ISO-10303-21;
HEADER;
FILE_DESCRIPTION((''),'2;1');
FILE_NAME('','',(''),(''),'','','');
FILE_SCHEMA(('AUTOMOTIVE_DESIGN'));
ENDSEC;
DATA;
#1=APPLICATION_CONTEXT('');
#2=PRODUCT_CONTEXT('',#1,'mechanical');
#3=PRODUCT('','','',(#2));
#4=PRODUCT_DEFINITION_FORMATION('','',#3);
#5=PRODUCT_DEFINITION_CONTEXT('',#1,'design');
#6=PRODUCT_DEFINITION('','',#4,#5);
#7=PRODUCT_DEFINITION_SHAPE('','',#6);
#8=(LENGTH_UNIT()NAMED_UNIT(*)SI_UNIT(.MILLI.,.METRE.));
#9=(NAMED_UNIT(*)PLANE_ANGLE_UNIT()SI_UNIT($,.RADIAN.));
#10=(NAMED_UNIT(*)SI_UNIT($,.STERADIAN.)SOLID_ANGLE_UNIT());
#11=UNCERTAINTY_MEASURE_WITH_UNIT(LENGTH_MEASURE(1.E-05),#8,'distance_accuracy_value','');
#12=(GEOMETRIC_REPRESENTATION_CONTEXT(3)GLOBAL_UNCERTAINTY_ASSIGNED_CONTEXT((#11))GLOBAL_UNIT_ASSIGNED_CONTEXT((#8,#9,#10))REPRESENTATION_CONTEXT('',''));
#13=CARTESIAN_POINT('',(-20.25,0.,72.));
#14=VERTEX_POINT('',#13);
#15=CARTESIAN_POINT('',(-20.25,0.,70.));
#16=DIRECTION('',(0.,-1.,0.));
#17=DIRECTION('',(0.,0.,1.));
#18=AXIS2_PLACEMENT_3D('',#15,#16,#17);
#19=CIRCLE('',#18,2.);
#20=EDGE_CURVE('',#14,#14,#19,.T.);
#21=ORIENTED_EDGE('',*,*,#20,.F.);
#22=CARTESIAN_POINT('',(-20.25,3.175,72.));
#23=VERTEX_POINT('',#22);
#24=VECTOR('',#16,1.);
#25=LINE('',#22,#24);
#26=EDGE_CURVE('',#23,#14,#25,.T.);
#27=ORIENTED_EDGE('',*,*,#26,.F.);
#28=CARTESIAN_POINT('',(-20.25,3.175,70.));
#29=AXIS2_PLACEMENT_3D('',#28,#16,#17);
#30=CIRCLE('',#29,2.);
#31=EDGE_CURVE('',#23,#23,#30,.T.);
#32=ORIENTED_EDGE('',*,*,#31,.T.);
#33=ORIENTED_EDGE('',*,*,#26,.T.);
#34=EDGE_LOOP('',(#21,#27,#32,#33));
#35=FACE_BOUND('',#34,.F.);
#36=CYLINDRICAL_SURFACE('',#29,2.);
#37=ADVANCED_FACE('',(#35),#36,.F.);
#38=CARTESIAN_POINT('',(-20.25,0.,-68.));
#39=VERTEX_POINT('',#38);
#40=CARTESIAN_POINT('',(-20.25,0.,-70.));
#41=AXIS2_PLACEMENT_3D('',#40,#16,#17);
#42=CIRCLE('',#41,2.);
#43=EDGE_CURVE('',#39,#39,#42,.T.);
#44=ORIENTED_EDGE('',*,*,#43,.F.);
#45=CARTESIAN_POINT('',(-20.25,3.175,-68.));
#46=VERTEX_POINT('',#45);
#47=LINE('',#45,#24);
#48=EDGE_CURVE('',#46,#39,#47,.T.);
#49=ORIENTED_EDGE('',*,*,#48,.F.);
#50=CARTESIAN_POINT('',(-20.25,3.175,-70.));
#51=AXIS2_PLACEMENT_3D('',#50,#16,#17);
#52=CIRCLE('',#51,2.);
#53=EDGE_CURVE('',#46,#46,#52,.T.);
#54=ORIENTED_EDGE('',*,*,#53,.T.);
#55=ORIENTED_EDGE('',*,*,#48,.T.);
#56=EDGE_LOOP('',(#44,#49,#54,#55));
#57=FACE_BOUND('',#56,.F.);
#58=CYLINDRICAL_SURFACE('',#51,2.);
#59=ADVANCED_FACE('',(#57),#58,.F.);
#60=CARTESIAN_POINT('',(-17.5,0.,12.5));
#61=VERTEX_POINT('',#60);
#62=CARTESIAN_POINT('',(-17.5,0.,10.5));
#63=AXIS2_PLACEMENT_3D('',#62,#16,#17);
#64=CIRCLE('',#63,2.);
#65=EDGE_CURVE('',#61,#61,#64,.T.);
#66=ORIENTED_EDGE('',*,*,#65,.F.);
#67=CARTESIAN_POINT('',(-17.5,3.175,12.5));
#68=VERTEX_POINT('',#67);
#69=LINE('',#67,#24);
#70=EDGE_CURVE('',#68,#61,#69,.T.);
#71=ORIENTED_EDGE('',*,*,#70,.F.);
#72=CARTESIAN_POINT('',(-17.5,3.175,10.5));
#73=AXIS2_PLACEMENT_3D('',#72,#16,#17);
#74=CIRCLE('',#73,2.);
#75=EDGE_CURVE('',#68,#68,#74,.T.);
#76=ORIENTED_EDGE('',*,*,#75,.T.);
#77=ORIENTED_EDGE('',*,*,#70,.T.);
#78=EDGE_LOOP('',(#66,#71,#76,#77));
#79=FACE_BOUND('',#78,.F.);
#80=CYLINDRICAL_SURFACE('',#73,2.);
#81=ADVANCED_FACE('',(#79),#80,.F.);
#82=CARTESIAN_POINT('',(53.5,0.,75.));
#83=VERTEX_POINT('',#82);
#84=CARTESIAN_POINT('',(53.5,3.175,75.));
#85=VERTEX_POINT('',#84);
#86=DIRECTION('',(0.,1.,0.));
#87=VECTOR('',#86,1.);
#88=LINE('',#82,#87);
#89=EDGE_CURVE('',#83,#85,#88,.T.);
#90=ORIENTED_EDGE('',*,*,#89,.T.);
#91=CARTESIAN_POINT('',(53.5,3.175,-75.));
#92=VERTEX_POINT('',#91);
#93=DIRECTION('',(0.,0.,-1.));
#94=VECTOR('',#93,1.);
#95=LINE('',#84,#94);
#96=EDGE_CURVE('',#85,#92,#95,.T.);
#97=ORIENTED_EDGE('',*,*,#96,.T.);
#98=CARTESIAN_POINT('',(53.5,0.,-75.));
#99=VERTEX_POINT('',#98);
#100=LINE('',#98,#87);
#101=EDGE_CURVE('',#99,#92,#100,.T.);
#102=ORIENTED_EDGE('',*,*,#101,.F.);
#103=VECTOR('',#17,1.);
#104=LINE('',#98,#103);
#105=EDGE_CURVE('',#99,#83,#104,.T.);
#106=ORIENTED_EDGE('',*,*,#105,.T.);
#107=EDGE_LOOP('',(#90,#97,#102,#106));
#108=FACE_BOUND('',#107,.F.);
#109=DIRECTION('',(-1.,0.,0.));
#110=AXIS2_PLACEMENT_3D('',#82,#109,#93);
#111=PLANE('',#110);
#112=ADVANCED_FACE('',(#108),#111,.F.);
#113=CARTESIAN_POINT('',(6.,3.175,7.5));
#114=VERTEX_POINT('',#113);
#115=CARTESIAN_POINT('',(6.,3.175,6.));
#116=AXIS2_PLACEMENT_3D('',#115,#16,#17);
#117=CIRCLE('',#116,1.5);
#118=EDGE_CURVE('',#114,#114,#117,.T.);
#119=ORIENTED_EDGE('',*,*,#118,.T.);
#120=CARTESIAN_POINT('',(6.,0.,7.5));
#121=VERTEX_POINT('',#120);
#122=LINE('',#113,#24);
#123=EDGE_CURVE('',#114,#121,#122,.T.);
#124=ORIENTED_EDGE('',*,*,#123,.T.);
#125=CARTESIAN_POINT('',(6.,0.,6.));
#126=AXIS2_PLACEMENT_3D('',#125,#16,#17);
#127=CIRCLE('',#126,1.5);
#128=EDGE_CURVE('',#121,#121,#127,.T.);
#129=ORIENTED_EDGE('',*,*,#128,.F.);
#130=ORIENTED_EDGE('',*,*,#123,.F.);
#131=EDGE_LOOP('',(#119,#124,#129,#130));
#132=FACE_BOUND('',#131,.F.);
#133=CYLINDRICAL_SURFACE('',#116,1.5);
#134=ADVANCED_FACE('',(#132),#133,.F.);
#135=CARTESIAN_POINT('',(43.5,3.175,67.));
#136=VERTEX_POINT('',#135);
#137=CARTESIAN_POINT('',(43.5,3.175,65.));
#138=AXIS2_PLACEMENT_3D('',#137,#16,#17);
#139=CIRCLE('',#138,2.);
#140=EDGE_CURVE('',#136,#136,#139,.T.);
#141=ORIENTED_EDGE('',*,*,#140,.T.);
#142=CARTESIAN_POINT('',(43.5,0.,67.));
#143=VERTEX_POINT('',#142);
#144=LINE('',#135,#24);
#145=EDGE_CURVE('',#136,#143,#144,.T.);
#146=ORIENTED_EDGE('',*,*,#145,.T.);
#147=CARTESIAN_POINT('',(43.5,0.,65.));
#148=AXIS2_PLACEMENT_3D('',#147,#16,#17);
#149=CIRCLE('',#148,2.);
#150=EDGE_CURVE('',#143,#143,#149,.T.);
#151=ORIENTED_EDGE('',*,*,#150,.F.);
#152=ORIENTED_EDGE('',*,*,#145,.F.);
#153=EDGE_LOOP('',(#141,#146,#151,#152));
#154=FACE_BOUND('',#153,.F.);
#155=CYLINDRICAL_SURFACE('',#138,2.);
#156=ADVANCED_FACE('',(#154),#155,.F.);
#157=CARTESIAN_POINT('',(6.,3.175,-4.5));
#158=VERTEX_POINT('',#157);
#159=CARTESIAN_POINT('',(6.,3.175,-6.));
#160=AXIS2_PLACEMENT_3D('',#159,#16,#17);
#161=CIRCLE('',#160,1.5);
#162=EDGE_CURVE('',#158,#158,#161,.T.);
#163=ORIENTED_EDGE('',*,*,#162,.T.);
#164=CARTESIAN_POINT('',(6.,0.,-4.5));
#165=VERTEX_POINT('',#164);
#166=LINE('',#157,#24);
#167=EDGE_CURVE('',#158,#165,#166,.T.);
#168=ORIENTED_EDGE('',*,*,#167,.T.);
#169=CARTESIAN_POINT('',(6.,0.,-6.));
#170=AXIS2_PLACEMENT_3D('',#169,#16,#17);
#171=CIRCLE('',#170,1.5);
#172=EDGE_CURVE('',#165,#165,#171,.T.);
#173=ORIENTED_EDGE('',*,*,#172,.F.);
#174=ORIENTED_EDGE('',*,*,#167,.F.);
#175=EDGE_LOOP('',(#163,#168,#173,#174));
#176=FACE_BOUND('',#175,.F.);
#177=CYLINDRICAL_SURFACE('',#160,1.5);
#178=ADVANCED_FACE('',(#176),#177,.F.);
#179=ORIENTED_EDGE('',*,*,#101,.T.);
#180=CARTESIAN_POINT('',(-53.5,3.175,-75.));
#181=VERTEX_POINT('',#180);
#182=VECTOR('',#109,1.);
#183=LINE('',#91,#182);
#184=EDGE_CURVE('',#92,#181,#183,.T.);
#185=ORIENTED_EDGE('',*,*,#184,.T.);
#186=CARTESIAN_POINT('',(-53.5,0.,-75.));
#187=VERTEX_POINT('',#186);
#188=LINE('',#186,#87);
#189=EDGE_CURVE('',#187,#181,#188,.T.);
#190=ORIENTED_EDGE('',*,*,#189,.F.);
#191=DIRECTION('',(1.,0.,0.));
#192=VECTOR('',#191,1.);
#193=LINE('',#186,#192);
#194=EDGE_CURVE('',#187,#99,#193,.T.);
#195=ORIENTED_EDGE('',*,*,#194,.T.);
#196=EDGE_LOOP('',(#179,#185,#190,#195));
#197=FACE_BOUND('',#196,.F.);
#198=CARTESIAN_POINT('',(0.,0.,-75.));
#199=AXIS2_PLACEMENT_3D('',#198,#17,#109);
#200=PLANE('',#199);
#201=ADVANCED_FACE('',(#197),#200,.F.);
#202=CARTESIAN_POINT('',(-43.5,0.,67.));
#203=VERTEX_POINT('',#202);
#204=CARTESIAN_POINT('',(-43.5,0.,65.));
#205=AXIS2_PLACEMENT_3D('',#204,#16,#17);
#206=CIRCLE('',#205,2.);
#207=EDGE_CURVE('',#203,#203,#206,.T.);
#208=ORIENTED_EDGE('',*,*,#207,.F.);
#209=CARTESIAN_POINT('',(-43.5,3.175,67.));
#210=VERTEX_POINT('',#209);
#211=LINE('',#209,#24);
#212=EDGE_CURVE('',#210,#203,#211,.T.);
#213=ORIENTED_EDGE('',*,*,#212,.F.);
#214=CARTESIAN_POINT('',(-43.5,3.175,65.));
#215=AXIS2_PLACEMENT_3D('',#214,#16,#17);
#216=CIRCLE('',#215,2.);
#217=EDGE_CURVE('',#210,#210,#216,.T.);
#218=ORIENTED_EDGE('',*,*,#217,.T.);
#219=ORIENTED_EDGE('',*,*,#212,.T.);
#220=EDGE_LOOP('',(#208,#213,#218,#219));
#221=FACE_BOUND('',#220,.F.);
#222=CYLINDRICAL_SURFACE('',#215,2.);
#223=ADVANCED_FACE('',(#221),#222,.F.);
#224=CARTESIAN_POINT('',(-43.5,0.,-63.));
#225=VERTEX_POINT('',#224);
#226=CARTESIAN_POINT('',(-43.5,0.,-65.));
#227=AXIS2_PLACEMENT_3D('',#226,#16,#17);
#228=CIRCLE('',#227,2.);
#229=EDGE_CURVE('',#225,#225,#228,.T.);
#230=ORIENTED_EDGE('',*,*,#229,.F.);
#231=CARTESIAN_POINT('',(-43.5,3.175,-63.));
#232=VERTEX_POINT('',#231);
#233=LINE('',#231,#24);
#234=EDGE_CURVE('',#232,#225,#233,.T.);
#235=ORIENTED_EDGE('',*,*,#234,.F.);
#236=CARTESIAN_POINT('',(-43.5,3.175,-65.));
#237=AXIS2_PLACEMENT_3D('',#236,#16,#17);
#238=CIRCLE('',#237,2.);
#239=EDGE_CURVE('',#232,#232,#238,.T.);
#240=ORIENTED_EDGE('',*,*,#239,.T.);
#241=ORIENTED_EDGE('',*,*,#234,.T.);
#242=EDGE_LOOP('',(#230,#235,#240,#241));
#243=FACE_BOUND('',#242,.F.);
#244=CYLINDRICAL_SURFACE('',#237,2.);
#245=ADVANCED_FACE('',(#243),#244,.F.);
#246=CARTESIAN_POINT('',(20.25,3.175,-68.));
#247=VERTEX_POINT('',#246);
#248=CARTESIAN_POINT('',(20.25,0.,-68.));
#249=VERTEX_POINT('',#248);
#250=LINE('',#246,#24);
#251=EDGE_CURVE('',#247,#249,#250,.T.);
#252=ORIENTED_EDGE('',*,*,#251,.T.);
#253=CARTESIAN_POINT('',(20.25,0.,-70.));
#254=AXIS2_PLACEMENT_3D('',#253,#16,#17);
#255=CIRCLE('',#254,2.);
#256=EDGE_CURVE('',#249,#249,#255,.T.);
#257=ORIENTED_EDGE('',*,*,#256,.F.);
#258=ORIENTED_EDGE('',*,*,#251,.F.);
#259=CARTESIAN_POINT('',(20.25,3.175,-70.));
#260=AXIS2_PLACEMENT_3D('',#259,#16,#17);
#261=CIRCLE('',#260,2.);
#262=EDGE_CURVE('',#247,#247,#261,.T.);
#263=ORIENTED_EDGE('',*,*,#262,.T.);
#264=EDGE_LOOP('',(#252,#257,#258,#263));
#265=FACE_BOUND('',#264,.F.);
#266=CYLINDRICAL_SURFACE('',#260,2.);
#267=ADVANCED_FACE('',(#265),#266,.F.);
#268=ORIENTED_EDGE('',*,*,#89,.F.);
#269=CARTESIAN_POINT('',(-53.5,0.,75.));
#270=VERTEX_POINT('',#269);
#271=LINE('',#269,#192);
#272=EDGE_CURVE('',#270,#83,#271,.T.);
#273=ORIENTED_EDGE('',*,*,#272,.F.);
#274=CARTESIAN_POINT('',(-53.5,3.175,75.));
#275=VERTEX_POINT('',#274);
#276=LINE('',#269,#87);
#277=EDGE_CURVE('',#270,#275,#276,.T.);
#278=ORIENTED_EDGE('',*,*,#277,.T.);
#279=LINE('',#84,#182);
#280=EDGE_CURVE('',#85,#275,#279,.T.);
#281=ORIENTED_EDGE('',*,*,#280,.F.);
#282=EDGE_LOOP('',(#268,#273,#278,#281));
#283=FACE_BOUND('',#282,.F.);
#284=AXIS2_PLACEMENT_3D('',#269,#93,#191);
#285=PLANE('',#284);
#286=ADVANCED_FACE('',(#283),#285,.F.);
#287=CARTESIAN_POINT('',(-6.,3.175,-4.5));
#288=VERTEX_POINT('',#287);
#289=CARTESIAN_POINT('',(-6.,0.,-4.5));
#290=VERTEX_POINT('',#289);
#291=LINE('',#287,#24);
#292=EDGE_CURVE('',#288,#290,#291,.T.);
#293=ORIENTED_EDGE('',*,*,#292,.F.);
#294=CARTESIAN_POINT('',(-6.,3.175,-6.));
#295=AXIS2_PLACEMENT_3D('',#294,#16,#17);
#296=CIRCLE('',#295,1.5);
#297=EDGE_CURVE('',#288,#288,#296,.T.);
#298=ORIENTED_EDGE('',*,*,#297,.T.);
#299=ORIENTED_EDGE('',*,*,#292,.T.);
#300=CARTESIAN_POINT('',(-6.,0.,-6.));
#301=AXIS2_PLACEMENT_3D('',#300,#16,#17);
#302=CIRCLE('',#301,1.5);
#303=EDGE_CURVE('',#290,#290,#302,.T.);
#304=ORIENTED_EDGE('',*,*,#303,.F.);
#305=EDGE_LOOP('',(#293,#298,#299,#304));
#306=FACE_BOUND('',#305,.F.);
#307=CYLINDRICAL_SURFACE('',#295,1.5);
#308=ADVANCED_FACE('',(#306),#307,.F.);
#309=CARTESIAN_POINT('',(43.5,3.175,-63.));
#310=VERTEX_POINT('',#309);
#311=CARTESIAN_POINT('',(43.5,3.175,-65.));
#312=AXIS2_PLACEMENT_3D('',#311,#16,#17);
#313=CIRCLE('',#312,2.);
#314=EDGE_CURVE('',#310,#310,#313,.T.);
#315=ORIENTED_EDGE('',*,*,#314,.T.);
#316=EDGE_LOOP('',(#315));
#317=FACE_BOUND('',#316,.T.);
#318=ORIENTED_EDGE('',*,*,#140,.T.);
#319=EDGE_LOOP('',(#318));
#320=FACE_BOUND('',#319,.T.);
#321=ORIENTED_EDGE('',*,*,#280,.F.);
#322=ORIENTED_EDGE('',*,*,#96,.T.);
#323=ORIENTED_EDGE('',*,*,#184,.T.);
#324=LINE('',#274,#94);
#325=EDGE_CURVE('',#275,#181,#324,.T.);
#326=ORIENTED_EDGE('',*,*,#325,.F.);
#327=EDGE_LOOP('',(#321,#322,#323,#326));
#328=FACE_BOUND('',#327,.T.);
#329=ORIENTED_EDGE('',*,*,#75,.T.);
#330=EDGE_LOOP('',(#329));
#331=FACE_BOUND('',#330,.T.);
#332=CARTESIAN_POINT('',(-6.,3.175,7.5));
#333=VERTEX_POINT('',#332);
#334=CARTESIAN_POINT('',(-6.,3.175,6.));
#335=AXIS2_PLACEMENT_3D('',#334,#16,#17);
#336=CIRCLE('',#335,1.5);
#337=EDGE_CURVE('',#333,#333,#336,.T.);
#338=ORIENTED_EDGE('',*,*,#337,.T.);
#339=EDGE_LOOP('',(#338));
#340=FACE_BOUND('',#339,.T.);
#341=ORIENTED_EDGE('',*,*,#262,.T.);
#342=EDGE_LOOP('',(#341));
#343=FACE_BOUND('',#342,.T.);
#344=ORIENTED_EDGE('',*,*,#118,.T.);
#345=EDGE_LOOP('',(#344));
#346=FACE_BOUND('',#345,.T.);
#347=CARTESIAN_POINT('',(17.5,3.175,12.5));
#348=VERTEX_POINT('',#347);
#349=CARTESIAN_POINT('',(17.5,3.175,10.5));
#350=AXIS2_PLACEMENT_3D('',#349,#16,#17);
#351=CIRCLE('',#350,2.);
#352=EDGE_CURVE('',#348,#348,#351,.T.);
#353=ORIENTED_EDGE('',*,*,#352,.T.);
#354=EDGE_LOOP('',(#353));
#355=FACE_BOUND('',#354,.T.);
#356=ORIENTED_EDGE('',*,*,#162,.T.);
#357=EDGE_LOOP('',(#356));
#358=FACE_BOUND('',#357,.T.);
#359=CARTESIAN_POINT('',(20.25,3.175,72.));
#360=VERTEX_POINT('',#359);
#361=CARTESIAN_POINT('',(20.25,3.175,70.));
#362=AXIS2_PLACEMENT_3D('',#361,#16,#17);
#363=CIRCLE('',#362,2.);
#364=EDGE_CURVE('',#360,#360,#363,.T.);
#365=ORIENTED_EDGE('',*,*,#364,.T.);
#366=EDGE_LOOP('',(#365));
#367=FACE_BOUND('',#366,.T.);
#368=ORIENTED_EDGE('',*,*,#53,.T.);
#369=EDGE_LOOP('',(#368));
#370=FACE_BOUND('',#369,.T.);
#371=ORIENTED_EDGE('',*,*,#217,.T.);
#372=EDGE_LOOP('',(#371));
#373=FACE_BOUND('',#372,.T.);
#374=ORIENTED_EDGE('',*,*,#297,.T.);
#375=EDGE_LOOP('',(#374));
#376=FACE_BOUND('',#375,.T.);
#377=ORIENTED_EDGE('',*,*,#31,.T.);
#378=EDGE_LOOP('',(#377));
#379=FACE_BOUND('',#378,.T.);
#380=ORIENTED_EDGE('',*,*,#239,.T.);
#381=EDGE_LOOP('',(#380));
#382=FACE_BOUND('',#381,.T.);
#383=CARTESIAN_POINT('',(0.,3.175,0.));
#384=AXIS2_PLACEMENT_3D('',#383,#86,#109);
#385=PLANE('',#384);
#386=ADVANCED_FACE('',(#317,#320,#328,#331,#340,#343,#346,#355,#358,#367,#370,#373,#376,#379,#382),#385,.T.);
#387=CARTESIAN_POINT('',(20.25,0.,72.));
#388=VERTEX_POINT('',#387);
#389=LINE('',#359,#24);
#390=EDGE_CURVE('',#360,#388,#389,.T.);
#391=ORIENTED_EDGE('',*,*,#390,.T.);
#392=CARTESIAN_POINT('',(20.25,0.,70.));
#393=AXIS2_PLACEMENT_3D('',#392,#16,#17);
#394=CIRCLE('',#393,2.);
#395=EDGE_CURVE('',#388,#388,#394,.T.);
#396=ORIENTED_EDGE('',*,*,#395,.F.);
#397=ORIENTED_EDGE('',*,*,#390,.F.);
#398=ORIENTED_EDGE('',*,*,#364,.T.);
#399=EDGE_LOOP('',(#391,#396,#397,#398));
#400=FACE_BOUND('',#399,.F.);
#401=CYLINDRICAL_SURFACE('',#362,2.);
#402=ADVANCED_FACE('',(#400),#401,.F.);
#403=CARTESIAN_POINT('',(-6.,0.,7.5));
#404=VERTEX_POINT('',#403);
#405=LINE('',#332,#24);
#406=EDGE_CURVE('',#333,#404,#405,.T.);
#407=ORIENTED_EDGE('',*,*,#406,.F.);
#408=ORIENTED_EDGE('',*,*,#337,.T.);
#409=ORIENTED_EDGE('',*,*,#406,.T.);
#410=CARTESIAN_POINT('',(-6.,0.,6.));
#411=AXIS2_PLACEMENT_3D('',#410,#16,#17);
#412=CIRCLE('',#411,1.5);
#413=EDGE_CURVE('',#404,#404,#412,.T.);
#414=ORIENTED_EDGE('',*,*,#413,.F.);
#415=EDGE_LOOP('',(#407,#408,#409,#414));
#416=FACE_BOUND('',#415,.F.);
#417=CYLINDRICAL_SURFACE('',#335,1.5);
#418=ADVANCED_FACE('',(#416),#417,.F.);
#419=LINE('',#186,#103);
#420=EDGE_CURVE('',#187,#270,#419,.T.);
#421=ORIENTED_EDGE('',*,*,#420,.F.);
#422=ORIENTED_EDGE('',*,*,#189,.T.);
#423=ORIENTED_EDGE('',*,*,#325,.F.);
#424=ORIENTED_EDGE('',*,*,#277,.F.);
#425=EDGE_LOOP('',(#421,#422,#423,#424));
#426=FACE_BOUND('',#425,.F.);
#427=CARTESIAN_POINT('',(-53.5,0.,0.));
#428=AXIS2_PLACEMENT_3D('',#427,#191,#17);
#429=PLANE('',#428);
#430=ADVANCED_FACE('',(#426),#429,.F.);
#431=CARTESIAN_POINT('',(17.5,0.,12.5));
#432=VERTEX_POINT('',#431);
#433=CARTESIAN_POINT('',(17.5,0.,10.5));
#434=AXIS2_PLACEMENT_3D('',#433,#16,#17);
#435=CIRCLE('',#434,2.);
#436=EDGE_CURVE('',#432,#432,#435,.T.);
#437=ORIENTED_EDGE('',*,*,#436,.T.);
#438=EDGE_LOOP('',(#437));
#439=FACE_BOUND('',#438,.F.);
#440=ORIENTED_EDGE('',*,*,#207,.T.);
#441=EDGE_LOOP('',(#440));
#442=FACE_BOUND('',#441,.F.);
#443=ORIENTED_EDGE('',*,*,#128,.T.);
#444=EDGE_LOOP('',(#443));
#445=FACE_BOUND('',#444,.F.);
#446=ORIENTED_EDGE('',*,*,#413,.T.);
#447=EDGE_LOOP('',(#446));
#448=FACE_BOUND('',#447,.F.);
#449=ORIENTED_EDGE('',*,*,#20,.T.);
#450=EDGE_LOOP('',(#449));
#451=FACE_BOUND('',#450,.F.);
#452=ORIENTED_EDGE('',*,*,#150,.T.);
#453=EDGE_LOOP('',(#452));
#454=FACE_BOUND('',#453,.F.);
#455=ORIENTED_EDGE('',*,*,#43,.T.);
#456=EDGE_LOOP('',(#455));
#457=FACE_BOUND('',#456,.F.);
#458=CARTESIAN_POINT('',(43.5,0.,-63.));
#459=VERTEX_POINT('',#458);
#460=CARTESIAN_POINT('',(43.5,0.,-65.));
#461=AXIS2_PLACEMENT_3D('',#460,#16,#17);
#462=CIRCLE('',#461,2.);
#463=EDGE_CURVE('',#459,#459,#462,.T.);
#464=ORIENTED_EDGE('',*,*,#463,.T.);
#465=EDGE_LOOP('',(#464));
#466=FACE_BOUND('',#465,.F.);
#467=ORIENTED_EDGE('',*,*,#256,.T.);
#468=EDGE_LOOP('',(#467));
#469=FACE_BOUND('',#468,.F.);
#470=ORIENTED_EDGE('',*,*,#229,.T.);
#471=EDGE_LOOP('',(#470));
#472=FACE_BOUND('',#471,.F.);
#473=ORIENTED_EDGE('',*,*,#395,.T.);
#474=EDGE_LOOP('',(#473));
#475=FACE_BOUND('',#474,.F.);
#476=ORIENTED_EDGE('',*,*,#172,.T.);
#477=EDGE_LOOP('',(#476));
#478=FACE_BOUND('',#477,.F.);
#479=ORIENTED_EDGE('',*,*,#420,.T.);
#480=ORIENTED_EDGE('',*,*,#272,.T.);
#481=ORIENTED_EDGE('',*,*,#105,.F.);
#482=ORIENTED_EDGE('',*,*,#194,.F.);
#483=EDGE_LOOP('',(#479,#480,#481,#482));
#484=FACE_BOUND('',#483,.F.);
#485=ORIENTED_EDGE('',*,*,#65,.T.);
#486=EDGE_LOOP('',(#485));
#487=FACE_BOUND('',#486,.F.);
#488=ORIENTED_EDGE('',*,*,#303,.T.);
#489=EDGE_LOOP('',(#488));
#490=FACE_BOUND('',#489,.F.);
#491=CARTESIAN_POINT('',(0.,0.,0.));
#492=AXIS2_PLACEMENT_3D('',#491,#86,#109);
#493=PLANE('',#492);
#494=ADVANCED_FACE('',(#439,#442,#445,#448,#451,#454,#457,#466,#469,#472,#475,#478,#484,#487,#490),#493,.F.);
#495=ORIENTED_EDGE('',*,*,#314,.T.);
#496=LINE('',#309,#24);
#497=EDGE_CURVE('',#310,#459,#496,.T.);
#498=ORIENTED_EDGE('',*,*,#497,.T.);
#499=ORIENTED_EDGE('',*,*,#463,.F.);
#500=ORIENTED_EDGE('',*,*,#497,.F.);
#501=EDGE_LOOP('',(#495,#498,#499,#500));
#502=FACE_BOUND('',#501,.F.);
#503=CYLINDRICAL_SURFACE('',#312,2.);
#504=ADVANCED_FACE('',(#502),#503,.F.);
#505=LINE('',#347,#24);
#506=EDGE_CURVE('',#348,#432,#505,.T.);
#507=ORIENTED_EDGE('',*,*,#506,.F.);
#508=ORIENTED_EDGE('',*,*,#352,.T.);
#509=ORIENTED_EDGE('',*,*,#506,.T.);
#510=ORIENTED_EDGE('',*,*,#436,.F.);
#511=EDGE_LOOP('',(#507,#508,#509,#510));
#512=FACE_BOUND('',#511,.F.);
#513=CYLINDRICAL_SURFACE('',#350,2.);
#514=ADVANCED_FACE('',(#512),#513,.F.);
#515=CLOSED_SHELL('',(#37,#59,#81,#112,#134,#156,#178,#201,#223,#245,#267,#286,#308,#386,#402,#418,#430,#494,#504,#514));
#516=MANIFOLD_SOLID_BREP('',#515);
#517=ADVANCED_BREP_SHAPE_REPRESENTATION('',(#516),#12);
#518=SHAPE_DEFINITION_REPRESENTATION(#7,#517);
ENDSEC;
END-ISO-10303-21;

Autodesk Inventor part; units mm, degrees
ref_plane "YZ Plane" through (0, 0, 0) normal (1, 0, 0) x (0, 1, 0)
ref_plane "XZ Plane" through (0, 0, 0) normal (0, 1, 0) x (-1, 0, 0)
ref_plane "XY Plane" through (0, 0, 0) normal (0, 0, 1) x (1, 0, 0)
sketch "Sketch1" plane through (0, 0, 0) normal (0, 1, 0) x (-1, 0, 0)
  line L0 (53.5, 75) -> (-53.5, 75)
  line L1 (-53.5, 75) -> (-53.5, -75)
  line L2 (-53.5, -75) -> (53.5, -75)
  line L3 (53.5, -75) -> (53.5, 75)
  line L4 (74.9, 0) -> (-74.9, 0) projected
  line L5 (0, -105) -> (0, 105) projected
  point P0 (0, 0)
  point P1 (0, 75)
  point P2 (53.5, 0)
  dimension "d0" = 150
  dimension "d1" = 107
extrude "Extrusion1" add sketch "Sketch1" along normal blind 3.175
sketch "Sketch2" plane through (0, 3.175, 0) normal (0, 1, 0) x (1, 0, 0)
  line L0 (-53.5, -75) -> (53.5, -75) projected
  line L1 (-53.5, 75) -> (-53.5, -75) projected
  line L2 (53.5, 75) -> (-53.5, 75) projected
  line L3 (0, 105) -> (0, -105) projected
  line L4 (-20.25, -70) -> (20.25, -70) construction
  line L5 (20.25, -70) -> (20.25, 70) construction
  line L6 (20.25, 70) -> (-20.25, 70) construction
  line L7 (-20.25, 70) -> (-20.25, -70) construction
  line L8 (-6, -6) -> (6, -6) construction
  line L9 (6, -6) -> (6, 6) construction
  line L10 (6, 6) -> (-6, 6) construction
  line L11 (-6, 6) -> (-6, -6) construction
  line L12 (-43.5, -65) -> (43.5, -65) construction
  line L13 (43.5, -65) -> (43.5, 65) construction
  line L14 (43.5, 65) -> (-43.5, 65) construction
  line L15 (-43.5, 65) -> (-43.5, -65) construction
  line L16 (-17.5, -10.5) -> (17.5, -10.5) construction
  line L17 (-74.9, 0) -> (74.9, 0) projected
  point P0 (0, -10.5)
  point P1 (0, -6)
  point P2 (-6, 0)
  point P3 (0, -65)
  point P4 (-43.5, 0)
  point P5 (-20.25, 0)
  point P6 (0, -70)
  dimension "d31" = 64.5
  dimension "d32" = 12
  dimension "d33" = 12
  dimension "d34" = 35
  dimension "d35" = 10
  dimension "d36" = 10
  dimension "d37" = 5
  dimension "d38" = 40.5
hole "Hole3" at (-43.5, 3.175, 65) at (-20.25, 3.175, 70) at (20.25, 3.175, 70) at (43.5, 3.175, 65) at (43.5, 3.175, -65) at (20.25, 3.175, -70) at (-20.25, 3.175, -70) at (-43.5, 3.175, -65) at (-17.5, 3.175, 10.5) at (17.5, 3.175, 10.5) direction (0, -1, 0) diameter 4 end through all
hole "Hole4" at (-6, 3.175, 6) at (-6, 3.175, -6) at (6, 3.175, 6) at (6, 3.175, -6) direction (0, -1, 0) diameter 3 end through all
equation "\"d36\" = d35"
properties part number "base superior"
